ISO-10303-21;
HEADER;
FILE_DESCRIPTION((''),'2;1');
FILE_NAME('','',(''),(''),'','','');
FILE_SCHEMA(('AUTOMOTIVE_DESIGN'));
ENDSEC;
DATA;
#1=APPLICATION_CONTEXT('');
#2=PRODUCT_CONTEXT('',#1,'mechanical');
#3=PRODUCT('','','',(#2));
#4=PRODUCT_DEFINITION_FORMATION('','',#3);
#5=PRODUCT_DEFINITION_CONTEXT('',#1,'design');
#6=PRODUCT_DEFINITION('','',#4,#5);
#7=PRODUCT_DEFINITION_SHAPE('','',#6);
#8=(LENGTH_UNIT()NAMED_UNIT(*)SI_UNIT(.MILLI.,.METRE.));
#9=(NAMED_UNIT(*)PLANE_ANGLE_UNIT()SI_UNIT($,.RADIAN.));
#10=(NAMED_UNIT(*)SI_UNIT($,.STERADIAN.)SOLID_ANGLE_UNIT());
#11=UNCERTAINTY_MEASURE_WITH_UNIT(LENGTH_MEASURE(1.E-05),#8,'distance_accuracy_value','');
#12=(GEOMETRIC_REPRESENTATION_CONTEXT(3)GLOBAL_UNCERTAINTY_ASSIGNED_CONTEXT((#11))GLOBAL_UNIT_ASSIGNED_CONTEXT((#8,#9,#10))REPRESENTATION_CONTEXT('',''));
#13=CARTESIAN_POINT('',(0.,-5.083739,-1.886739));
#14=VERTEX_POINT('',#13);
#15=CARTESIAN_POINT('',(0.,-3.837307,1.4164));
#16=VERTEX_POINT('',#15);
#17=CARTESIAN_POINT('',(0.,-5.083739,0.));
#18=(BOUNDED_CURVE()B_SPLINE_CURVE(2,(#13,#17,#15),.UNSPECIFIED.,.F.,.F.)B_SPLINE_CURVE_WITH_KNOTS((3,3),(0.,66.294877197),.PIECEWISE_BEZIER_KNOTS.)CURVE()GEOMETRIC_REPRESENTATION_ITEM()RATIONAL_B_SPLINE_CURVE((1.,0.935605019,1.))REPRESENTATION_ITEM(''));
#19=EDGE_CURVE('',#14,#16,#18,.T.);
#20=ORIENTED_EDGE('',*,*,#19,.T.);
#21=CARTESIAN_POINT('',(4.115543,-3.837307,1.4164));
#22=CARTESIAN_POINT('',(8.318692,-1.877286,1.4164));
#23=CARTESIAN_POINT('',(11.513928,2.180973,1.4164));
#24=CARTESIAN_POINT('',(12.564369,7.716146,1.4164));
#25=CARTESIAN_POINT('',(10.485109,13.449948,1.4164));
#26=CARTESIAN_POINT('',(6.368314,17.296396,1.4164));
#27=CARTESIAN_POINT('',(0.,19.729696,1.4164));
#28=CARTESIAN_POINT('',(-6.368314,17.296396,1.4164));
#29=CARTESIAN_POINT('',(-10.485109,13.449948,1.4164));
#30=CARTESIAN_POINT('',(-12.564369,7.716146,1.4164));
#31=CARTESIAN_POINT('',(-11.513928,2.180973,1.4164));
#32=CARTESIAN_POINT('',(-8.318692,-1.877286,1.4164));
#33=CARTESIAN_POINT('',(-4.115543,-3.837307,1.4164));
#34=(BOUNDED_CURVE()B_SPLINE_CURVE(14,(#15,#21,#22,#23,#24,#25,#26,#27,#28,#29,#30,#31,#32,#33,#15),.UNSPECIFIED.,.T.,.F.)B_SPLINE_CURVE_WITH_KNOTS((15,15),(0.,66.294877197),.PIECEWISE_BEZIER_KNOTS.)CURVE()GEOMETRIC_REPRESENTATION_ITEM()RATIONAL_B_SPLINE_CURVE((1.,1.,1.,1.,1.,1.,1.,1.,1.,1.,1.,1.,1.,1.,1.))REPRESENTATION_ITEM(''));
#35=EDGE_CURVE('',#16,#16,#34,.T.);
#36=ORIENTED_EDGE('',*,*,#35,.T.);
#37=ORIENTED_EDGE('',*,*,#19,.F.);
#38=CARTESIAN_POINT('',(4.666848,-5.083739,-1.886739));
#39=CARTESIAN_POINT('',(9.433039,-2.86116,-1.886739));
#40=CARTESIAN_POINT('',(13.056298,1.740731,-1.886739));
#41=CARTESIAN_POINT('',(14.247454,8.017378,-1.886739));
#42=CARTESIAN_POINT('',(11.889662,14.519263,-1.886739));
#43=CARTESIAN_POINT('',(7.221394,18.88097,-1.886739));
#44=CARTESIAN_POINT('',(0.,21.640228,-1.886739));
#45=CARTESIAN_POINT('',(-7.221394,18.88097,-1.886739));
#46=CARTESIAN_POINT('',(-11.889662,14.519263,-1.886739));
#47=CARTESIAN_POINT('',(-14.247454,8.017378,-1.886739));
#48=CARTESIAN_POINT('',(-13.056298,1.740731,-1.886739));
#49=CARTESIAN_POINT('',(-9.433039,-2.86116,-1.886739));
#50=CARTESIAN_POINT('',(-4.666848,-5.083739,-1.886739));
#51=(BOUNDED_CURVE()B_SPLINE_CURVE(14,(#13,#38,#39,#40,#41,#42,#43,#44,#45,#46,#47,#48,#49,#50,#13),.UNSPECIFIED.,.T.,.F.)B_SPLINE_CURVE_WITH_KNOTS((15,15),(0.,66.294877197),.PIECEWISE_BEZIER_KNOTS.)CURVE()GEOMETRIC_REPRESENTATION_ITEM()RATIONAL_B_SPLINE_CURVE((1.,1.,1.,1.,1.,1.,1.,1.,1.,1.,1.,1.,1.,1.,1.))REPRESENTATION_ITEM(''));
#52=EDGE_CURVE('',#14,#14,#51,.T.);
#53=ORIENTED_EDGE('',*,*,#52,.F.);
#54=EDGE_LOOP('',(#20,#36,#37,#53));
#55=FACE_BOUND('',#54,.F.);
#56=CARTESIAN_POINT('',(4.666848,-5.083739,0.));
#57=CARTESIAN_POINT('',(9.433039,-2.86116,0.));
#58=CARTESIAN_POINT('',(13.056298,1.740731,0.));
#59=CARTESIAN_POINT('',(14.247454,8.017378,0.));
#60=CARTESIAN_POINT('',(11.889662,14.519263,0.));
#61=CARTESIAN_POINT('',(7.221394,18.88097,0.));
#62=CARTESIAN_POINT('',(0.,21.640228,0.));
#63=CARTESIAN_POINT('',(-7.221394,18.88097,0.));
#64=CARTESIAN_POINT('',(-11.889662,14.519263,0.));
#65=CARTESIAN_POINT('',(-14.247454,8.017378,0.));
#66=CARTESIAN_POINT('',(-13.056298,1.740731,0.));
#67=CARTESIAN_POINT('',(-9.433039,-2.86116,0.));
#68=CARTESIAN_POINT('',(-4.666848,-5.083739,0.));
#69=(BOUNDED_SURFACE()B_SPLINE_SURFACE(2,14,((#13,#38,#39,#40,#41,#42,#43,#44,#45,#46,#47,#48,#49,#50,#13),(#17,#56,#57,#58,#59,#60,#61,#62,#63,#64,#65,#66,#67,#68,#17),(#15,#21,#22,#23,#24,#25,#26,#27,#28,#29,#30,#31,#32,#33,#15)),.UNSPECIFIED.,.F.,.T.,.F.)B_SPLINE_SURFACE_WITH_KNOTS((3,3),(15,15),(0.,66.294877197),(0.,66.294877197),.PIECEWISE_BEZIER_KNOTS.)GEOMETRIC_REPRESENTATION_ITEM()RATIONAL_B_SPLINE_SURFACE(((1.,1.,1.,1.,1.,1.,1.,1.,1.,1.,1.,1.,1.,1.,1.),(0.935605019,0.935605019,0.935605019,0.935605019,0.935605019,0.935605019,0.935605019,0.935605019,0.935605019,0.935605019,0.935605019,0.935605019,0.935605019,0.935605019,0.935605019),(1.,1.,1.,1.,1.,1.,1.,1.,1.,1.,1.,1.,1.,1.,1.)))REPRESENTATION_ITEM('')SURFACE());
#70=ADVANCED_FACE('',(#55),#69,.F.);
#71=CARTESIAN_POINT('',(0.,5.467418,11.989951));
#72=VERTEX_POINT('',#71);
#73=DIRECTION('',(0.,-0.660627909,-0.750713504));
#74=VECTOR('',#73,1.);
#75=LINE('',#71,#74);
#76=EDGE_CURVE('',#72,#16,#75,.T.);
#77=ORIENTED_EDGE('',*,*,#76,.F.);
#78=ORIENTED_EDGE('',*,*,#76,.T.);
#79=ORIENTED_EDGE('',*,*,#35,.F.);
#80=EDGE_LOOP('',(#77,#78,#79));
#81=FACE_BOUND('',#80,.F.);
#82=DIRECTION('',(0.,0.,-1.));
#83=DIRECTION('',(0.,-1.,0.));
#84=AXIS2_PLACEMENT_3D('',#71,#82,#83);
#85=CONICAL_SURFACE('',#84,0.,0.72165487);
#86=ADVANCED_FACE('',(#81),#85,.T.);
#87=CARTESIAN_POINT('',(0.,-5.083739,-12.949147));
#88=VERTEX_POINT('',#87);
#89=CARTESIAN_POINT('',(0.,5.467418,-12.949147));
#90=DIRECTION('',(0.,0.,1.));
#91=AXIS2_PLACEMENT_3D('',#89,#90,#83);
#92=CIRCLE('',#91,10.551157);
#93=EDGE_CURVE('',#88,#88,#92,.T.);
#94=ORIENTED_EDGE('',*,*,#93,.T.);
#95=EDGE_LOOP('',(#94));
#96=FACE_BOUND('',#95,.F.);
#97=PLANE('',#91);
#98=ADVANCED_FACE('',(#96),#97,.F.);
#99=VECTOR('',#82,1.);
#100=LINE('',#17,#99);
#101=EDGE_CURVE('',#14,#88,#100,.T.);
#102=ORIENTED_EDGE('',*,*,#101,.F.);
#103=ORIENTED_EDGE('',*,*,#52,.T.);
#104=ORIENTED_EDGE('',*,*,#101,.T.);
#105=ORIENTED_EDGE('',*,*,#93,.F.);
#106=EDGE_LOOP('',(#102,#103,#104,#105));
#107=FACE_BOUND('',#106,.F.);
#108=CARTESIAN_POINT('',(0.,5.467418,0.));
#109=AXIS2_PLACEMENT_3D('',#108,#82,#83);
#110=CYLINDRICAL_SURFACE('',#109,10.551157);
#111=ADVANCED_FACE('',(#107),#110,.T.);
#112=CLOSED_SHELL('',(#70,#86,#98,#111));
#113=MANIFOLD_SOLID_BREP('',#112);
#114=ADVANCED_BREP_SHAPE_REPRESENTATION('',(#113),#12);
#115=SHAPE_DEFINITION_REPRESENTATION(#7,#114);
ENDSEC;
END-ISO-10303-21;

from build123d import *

# Parameters (mm, degrees)
F2_R = 5


with BuildPart() as f1:
    # F0 (on Right) → F1 (revolve)
    with BuildSketch(Plane.YZ):
        Polygon((-5.0837392919, 0), (-5.0837392919, -12.9491472617), (5.4674181156, -12.9491472617), (5.4674181156, 11.9899511337), align=None)
    revolve(axis=Axis((0, 5.4674181156, -0.479598064), (0, 0, 1)))

    # F2
    f2_edges = [f1.edges().sort_by_distance(p)[0] for p in [
        (0, 16.018576, 0),
    ]]
    fillet(f2_edges, radius=F2_R)


solid = f1.part
